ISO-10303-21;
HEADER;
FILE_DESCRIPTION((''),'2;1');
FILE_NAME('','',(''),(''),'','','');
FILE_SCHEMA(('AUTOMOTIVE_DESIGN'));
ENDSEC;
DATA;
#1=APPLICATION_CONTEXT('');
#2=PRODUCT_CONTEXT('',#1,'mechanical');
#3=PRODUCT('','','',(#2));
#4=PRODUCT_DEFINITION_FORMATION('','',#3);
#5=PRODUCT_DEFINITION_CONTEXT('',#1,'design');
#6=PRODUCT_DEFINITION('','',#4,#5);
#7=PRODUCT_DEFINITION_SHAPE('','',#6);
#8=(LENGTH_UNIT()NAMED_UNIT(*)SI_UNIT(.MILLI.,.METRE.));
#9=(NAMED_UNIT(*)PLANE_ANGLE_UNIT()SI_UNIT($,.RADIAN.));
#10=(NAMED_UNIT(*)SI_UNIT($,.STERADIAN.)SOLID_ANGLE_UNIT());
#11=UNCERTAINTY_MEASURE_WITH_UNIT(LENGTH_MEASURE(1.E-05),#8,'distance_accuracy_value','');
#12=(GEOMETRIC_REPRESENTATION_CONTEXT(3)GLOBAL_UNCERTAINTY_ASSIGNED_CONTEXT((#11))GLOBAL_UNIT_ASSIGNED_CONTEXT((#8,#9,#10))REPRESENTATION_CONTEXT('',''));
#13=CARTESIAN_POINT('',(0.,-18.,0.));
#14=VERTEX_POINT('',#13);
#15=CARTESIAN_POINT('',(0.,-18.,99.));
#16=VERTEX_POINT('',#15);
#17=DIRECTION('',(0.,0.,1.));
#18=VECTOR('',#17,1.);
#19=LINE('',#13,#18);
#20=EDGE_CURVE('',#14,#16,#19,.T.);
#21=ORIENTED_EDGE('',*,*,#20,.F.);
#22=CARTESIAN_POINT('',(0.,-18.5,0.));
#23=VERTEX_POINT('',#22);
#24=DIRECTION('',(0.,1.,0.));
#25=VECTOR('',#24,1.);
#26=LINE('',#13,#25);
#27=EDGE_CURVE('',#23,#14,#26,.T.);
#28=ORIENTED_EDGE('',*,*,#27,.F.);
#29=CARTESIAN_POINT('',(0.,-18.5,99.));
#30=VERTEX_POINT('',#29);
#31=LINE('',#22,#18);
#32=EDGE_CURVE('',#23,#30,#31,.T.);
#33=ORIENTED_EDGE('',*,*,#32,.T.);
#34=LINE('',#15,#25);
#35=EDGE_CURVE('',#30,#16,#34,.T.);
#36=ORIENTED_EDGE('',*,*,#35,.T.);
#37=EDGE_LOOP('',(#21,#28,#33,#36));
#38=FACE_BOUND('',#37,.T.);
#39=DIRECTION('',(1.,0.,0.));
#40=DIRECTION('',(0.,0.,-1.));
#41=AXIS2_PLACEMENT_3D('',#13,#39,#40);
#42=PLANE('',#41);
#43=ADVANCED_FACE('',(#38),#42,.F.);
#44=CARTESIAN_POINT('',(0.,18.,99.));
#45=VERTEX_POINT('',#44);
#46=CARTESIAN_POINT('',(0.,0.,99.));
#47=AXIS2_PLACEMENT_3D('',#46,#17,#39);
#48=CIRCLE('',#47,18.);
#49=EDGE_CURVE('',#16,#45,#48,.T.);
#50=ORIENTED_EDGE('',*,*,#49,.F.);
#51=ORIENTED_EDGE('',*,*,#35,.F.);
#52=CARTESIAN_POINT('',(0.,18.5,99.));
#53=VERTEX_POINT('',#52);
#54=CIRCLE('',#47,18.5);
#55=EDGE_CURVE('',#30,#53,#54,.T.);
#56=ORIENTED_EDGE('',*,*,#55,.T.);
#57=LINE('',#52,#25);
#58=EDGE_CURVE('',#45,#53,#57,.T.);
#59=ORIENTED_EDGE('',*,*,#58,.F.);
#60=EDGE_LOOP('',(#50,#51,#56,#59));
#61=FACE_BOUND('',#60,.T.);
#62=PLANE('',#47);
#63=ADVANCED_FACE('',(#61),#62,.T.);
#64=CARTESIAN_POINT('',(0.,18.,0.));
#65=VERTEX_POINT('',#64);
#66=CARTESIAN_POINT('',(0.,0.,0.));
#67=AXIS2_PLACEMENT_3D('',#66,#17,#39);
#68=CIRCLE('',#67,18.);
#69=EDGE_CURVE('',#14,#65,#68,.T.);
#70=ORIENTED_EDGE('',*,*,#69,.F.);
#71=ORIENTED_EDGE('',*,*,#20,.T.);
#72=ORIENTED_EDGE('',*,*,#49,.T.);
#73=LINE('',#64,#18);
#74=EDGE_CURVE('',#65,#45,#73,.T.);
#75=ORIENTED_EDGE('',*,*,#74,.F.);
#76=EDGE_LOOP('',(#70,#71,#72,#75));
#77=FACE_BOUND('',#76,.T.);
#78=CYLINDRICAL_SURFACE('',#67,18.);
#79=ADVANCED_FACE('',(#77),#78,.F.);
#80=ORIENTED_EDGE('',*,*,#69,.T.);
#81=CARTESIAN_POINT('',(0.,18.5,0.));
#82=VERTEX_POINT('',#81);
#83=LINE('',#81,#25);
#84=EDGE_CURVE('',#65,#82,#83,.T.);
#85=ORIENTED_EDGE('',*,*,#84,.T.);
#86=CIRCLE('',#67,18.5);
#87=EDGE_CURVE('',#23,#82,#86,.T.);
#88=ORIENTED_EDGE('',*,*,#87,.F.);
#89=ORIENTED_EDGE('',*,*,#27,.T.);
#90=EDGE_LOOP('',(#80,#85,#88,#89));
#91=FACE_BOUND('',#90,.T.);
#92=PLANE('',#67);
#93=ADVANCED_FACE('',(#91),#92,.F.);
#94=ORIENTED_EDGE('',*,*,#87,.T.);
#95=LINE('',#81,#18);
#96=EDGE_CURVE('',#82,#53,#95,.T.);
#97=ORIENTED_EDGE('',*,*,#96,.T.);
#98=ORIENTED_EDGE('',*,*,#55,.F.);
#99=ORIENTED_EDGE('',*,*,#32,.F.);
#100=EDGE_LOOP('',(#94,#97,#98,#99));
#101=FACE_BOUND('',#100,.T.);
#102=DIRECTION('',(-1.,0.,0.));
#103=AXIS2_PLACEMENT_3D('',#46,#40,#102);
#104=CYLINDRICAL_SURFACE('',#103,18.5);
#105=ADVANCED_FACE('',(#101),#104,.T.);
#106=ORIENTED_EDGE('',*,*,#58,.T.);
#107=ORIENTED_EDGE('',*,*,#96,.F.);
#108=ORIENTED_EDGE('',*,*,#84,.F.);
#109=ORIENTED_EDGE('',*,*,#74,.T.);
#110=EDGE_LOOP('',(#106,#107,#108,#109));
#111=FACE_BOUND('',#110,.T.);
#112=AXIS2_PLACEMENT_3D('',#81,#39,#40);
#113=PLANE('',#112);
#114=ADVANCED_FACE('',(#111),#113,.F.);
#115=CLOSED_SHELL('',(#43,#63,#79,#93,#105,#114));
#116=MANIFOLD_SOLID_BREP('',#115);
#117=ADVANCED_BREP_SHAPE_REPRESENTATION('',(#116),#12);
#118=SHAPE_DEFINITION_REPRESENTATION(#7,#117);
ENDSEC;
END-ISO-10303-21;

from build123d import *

# Parameters (mm, degrees)
SKETCH1_R           = 18.5
BOSS_EXTRUDE1_DEPTH = 99
CUT_EXTRUDE1_START  = -99
CUT_EXTRUDE1_DEPTH  = 99


with BuildPart() as part:
    # Sketch1 → Boss-Extrude1 (new body)
    with BuildSketch(Plane.XY):
        Circle(SKETCH1_R)
    extrude(amount=BOSS_EXTRUDE1_DEPTH)

    # Sketch2 → Cut-Extrude1 (cut)
    with BuildSketch(Plane.XY.offset(99).offset(CUT_EXTRUDE1_START)):
        with BuildLine():
            Line((0, 18.5), (0, 18))
            ThreePointArc((0, 18), (18, 0), (0, -18))
            Line((0, -18), (0, -18.5))
            ThreePointArc((0, -18.5), (-18.5, 0), (0, 18.5))
        make_face()
    extrude(amount=CUT_EXTRUDE1_DEPTH, mode=Mode.SUBTRACT)


solid = part.part
